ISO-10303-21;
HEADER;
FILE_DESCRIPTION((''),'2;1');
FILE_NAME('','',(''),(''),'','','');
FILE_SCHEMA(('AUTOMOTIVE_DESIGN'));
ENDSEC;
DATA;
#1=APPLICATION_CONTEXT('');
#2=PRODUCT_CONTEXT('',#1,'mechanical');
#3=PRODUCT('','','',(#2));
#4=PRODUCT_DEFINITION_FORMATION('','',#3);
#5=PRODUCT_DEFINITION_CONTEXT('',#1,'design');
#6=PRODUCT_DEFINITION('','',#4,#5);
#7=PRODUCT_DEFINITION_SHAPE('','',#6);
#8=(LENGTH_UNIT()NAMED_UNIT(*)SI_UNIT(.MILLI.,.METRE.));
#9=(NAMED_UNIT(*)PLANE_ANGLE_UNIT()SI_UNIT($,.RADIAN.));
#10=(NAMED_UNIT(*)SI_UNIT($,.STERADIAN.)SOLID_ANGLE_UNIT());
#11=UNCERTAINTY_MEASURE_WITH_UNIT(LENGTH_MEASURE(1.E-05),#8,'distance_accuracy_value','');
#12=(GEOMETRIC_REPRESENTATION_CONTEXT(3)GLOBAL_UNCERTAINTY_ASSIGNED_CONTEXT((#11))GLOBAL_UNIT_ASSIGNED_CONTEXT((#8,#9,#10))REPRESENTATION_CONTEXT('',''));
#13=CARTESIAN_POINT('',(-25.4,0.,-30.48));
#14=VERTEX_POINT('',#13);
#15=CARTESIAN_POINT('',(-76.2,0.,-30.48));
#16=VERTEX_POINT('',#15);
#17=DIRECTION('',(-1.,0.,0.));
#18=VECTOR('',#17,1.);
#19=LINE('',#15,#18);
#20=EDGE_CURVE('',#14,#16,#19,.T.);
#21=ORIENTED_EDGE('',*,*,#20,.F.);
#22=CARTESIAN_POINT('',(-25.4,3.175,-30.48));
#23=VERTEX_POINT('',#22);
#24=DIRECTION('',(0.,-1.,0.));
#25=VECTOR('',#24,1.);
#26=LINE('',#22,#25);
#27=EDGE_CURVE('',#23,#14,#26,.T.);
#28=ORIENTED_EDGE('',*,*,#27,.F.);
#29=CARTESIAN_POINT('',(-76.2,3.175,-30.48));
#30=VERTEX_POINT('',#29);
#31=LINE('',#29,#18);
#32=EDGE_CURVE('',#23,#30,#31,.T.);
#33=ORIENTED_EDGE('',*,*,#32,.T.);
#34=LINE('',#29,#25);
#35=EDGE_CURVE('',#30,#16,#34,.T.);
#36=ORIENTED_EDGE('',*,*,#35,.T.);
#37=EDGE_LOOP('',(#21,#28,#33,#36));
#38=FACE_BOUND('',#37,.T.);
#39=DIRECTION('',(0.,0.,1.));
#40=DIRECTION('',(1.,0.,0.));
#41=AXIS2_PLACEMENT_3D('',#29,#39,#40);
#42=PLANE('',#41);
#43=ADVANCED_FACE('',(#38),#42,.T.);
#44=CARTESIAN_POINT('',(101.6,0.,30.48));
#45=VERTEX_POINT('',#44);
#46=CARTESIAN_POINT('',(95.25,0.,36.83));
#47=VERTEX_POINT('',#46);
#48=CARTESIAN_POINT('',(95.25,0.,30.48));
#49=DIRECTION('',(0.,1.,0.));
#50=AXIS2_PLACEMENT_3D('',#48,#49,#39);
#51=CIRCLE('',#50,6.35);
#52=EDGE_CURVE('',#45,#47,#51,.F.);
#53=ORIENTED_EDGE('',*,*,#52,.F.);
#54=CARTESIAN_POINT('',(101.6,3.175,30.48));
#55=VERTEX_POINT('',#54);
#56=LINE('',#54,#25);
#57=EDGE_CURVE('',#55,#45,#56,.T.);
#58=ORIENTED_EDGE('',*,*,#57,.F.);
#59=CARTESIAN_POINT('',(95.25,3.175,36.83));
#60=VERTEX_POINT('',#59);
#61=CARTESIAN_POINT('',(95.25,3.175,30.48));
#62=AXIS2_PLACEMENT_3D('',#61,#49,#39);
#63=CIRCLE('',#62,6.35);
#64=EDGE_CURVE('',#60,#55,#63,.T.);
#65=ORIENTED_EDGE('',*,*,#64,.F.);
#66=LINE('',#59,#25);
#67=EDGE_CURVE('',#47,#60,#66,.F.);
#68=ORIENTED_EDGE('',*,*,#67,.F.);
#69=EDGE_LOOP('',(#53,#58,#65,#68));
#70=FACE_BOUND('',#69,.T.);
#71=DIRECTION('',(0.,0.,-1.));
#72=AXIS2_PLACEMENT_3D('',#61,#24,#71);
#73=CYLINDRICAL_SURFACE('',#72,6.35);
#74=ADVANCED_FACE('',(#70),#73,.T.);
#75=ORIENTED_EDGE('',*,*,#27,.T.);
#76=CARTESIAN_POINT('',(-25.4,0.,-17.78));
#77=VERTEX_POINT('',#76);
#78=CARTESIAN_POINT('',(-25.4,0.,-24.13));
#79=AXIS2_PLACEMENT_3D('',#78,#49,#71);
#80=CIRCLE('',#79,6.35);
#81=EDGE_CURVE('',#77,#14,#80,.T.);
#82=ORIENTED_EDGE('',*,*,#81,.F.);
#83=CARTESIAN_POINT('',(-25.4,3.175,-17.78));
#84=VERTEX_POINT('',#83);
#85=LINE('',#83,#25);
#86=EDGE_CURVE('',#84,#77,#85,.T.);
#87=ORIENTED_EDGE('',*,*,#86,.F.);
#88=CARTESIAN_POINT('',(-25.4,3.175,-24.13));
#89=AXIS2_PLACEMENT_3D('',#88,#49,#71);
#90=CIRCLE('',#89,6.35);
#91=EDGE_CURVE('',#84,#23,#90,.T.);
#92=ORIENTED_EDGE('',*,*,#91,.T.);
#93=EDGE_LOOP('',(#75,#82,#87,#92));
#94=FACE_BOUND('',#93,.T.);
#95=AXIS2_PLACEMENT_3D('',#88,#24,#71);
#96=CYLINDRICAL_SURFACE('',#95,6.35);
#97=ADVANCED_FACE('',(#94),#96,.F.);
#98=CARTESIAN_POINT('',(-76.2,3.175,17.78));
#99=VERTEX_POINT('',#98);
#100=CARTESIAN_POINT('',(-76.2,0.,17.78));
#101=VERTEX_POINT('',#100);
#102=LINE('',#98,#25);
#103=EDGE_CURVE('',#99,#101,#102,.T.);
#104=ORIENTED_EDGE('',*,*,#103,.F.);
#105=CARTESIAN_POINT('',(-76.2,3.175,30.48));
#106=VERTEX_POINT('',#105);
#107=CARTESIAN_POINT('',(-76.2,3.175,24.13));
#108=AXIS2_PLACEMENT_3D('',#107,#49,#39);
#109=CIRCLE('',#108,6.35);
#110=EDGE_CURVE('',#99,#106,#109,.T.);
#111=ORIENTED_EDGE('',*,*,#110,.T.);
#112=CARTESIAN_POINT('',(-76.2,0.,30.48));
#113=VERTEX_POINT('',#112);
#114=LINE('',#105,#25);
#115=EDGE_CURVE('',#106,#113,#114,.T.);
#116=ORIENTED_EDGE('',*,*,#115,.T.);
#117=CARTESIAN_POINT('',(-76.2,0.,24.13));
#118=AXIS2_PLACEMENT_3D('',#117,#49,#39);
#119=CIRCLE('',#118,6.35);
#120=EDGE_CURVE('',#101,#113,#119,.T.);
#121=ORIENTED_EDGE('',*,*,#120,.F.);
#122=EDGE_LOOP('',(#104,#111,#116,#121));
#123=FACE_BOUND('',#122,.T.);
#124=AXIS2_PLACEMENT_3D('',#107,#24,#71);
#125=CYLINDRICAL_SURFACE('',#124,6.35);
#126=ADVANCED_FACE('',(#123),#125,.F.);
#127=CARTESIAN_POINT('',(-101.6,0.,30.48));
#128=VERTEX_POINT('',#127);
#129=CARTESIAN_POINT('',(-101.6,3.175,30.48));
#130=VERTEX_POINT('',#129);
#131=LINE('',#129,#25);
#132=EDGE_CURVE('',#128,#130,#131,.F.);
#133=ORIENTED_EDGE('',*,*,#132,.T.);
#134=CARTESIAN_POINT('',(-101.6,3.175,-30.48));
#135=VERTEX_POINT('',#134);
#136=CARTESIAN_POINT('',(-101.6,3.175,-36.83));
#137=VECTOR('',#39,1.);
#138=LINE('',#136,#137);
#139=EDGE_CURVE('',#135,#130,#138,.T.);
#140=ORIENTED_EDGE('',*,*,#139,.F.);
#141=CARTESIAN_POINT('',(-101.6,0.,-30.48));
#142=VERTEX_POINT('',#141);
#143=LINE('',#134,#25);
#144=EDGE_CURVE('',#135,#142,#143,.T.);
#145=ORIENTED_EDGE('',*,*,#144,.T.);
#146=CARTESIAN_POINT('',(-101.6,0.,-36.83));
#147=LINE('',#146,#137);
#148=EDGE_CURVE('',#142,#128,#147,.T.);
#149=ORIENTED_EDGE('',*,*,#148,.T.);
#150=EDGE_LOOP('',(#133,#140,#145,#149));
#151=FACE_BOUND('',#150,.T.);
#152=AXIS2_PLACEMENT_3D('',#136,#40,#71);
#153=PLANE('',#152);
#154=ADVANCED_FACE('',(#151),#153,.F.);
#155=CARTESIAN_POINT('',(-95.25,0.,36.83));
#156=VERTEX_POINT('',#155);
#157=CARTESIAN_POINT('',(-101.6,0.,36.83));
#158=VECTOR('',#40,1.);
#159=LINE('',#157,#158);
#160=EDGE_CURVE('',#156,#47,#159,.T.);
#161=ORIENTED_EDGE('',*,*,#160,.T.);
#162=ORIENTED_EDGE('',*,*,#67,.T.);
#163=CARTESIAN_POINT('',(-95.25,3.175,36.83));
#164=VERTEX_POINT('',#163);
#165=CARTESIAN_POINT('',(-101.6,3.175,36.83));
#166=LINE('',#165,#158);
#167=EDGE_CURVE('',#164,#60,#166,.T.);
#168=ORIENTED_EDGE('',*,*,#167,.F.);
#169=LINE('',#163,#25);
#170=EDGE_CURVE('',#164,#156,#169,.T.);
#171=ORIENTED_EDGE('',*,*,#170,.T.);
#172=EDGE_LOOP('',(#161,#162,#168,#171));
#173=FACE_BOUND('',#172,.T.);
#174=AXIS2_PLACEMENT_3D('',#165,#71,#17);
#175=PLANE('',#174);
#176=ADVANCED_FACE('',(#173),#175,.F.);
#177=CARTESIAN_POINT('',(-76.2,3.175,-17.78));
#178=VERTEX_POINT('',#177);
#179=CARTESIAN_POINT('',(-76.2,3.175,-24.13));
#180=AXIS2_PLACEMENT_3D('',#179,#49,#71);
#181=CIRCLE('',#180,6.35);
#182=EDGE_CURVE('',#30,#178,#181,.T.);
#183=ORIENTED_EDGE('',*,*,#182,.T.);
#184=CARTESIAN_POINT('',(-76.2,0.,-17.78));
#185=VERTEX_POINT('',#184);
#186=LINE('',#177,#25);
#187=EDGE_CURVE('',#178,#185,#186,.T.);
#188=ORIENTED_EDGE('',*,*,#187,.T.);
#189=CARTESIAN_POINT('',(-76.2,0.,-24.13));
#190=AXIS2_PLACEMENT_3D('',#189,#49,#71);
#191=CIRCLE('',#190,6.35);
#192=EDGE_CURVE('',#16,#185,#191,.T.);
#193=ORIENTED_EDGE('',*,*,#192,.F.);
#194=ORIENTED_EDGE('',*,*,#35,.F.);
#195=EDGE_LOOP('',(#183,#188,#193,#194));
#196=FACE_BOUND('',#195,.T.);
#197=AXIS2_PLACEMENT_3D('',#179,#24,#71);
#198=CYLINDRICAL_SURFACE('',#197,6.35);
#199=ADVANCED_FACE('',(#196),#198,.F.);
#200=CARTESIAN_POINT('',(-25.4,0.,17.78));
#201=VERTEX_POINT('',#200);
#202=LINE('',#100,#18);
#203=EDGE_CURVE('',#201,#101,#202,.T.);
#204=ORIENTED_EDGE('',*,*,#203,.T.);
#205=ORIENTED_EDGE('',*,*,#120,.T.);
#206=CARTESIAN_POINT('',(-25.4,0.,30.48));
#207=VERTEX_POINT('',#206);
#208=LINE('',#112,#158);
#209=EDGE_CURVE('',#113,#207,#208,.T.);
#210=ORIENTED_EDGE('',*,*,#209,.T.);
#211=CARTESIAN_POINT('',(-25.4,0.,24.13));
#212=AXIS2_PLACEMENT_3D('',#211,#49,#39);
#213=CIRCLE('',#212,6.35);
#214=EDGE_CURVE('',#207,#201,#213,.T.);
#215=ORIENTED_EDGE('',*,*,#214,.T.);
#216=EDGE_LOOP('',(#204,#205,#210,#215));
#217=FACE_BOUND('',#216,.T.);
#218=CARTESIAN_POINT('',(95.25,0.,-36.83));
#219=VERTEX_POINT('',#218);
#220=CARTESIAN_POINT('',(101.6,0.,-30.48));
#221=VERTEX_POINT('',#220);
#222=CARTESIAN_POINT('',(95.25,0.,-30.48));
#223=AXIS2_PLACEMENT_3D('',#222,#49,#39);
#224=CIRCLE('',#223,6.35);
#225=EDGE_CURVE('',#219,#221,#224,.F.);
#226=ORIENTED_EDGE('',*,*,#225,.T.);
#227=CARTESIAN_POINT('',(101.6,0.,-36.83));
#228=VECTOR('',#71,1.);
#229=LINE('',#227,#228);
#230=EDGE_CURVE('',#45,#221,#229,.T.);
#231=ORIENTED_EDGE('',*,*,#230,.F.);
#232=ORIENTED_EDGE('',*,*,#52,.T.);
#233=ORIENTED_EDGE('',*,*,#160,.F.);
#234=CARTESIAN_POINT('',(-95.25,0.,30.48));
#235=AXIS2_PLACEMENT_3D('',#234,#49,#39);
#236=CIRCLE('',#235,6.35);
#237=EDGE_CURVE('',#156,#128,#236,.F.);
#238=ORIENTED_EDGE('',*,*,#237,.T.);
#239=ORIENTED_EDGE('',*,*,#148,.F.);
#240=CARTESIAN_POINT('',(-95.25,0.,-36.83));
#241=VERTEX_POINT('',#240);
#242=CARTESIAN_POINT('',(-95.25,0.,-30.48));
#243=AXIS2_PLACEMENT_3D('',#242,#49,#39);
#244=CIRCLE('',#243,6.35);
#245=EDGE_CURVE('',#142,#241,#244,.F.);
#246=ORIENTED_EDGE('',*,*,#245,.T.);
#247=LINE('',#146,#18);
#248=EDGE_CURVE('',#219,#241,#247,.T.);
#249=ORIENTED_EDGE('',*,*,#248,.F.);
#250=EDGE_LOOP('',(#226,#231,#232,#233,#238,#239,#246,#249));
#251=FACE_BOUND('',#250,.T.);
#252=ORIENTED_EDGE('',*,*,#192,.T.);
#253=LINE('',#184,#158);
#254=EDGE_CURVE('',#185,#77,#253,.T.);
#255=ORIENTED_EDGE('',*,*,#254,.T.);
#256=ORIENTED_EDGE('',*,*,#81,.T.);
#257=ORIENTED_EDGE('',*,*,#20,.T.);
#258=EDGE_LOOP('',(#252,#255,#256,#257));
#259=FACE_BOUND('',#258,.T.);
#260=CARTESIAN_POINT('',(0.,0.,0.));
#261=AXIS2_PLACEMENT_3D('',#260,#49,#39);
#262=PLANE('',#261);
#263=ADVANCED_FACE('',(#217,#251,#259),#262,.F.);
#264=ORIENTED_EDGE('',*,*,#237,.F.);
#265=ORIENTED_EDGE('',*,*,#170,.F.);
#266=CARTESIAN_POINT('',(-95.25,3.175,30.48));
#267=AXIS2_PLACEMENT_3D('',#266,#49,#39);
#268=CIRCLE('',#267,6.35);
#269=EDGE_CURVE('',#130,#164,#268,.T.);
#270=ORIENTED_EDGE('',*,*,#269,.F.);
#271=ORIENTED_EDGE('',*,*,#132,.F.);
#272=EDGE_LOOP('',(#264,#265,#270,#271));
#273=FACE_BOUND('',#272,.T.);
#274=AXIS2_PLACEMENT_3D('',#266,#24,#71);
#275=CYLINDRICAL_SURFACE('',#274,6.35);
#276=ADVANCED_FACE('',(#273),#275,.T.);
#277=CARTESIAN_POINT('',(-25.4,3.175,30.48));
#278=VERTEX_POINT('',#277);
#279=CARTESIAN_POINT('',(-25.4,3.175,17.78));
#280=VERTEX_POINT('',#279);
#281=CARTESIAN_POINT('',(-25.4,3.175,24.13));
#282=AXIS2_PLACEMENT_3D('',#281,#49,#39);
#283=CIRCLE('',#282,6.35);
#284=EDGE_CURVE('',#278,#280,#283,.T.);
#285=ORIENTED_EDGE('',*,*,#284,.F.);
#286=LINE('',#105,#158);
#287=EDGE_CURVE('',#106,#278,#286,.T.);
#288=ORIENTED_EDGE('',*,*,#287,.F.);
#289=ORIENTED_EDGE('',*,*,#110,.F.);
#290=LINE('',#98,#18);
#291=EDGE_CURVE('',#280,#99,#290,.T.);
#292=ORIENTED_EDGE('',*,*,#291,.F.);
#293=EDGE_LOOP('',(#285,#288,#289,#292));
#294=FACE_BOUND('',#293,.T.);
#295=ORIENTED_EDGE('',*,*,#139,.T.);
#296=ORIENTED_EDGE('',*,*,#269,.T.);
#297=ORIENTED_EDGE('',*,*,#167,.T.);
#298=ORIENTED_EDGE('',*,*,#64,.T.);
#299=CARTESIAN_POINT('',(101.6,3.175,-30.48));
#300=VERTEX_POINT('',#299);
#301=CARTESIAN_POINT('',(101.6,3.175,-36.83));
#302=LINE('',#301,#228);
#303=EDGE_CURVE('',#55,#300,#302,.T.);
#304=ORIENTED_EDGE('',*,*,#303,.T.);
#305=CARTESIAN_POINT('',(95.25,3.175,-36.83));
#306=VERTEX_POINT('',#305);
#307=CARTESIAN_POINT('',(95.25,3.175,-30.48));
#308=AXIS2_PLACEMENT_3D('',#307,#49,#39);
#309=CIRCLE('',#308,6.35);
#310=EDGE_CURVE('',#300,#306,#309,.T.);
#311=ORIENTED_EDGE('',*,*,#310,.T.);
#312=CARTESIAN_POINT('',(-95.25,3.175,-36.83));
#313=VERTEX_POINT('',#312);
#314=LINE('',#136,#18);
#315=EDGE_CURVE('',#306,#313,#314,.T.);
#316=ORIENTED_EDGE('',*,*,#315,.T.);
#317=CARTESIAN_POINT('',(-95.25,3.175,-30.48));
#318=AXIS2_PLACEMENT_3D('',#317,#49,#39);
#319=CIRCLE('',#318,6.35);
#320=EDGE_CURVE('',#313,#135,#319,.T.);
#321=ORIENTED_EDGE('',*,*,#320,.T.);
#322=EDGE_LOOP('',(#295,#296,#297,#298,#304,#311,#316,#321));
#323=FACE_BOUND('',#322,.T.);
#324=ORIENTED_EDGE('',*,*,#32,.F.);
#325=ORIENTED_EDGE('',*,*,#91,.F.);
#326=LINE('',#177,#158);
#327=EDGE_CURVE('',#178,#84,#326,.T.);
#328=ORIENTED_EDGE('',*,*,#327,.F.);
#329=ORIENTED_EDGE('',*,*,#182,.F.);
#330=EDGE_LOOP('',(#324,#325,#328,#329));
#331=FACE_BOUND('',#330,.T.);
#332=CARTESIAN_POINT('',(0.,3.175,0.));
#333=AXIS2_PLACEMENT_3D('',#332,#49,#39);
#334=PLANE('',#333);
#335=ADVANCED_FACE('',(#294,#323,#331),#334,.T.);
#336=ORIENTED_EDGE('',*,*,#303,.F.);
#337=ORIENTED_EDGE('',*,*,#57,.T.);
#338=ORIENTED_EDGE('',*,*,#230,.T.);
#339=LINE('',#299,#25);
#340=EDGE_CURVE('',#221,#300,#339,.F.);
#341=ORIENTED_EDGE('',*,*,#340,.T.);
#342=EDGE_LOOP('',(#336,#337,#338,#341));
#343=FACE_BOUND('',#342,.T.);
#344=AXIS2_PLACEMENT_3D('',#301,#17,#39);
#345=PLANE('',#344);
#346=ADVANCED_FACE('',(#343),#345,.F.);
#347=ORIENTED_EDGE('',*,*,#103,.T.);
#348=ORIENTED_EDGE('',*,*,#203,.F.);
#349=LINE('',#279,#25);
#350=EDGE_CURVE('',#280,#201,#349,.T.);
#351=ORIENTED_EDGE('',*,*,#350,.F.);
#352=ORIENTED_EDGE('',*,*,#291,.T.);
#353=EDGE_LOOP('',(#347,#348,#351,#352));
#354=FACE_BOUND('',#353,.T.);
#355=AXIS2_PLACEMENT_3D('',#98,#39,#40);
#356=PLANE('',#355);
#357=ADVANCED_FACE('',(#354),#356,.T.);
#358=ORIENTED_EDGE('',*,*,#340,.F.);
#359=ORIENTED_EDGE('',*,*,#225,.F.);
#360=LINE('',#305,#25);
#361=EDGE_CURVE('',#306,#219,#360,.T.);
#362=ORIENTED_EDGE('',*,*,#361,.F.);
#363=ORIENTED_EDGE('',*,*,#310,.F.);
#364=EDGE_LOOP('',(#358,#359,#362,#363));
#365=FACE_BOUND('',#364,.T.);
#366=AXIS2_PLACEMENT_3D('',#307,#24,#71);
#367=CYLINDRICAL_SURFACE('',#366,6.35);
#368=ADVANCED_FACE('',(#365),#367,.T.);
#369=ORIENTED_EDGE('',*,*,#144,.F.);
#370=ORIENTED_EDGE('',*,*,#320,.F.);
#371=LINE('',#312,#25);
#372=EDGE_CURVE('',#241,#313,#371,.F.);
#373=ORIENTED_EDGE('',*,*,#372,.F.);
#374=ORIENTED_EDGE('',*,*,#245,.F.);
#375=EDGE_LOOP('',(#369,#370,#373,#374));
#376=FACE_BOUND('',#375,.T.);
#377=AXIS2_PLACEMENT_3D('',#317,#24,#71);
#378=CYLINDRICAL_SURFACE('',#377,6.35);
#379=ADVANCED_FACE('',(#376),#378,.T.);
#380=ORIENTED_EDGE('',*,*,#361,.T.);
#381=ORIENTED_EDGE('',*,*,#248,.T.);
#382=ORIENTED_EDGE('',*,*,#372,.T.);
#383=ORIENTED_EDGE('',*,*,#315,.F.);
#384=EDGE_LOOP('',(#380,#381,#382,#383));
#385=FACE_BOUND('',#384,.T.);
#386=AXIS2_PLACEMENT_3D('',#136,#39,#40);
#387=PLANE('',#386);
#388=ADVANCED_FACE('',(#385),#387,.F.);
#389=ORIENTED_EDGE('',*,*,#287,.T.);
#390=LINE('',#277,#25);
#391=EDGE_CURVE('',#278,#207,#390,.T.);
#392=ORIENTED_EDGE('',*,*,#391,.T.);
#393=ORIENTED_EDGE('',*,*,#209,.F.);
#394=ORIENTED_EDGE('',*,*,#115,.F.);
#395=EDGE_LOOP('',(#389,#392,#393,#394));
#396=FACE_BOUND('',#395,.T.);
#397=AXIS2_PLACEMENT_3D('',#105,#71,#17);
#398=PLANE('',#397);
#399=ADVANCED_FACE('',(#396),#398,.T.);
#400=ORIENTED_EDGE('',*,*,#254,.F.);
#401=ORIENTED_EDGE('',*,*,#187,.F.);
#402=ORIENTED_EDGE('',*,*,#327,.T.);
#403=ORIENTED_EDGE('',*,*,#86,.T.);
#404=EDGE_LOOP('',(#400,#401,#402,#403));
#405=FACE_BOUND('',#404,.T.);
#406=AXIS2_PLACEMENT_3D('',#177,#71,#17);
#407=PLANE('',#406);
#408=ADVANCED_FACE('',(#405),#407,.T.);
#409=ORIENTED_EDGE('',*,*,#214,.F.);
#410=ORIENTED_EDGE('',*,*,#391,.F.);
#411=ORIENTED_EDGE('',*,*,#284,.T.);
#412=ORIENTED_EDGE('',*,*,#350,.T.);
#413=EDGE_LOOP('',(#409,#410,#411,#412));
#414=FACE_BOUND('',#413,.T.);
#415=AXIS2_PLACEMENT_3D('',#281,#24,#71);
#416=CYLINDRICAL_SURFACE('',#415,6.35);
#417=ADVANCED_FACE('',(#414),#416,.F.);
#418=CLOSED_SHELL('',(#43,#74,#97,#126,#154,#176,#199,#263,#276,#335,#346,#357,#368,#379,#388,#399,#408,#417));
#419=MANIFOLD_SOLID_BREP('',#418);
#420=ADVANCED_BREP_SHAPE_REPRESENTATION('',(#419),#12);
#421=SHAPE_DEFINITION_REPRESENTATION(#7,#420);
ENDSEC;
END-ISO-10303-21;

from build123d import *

# Parameters (mm, degrees)
SKETCH1_W           = 203.2
SKETCH1_H           = 73.66
BOSS_EXTRUDE1_DEPTH = 3.175
FILLET1_R           = 6.35


with BuildPart() as part:
    # Sketch1 → Boss-Extrude1 (new body)
    with BuildSketch(Plane(origin=(0, 0, 0), x_dir=(1, 0, 0), z_dir=(0, 1, 0))):
        Rectangle(SKETCH1_W, SKETCH1_H)
        with BuildLine():
            Line((-76.2, -17.78), (-25.4, -17.78))
            ThreePointArc((-25.4, -17.78), (-19.05, -24.13), (-25.4, -30.48))
            Line((-25.4, -30.48), (-76.2, -30.48))
            ThreePointArc((-76.2, -30.48), (-82.55, -24.13), (-76.2, -17.78))
        make_face(mode=Mode.SUBTRACT)
        with BuildLine():
            Line((-76.2, 17.78), (-25.4, 17.78))
            ThreePointArc((-25.4, 17.78), (-19.05, 24.13), (-25.4, 30.48))
            Line((-25.4, 30.48), (-76.2, 30.48))
            ThreePointArc((-76.2, 30.48), (-82.55, 24.13), (-76.2, 17.78))
        make_face(mode=Mode.SUBTRACT)
    extrude(amount=BOSS_EXTRUDE1_DEPTH)

    # Fillet1
    fillet1_edges = [part.edges().sort_by_distance(p)[0] for p in [
        (101.6, 1.5875, 36.83),
        (-101.6, 1.5875, 36.83),
        (-101.6, 1.5875, -36.83),
        (101.6, 1.5875, -36.83),
    ]]
    fillet(fillet1_edges, radius=FILLET1_R)


solid = part.part
